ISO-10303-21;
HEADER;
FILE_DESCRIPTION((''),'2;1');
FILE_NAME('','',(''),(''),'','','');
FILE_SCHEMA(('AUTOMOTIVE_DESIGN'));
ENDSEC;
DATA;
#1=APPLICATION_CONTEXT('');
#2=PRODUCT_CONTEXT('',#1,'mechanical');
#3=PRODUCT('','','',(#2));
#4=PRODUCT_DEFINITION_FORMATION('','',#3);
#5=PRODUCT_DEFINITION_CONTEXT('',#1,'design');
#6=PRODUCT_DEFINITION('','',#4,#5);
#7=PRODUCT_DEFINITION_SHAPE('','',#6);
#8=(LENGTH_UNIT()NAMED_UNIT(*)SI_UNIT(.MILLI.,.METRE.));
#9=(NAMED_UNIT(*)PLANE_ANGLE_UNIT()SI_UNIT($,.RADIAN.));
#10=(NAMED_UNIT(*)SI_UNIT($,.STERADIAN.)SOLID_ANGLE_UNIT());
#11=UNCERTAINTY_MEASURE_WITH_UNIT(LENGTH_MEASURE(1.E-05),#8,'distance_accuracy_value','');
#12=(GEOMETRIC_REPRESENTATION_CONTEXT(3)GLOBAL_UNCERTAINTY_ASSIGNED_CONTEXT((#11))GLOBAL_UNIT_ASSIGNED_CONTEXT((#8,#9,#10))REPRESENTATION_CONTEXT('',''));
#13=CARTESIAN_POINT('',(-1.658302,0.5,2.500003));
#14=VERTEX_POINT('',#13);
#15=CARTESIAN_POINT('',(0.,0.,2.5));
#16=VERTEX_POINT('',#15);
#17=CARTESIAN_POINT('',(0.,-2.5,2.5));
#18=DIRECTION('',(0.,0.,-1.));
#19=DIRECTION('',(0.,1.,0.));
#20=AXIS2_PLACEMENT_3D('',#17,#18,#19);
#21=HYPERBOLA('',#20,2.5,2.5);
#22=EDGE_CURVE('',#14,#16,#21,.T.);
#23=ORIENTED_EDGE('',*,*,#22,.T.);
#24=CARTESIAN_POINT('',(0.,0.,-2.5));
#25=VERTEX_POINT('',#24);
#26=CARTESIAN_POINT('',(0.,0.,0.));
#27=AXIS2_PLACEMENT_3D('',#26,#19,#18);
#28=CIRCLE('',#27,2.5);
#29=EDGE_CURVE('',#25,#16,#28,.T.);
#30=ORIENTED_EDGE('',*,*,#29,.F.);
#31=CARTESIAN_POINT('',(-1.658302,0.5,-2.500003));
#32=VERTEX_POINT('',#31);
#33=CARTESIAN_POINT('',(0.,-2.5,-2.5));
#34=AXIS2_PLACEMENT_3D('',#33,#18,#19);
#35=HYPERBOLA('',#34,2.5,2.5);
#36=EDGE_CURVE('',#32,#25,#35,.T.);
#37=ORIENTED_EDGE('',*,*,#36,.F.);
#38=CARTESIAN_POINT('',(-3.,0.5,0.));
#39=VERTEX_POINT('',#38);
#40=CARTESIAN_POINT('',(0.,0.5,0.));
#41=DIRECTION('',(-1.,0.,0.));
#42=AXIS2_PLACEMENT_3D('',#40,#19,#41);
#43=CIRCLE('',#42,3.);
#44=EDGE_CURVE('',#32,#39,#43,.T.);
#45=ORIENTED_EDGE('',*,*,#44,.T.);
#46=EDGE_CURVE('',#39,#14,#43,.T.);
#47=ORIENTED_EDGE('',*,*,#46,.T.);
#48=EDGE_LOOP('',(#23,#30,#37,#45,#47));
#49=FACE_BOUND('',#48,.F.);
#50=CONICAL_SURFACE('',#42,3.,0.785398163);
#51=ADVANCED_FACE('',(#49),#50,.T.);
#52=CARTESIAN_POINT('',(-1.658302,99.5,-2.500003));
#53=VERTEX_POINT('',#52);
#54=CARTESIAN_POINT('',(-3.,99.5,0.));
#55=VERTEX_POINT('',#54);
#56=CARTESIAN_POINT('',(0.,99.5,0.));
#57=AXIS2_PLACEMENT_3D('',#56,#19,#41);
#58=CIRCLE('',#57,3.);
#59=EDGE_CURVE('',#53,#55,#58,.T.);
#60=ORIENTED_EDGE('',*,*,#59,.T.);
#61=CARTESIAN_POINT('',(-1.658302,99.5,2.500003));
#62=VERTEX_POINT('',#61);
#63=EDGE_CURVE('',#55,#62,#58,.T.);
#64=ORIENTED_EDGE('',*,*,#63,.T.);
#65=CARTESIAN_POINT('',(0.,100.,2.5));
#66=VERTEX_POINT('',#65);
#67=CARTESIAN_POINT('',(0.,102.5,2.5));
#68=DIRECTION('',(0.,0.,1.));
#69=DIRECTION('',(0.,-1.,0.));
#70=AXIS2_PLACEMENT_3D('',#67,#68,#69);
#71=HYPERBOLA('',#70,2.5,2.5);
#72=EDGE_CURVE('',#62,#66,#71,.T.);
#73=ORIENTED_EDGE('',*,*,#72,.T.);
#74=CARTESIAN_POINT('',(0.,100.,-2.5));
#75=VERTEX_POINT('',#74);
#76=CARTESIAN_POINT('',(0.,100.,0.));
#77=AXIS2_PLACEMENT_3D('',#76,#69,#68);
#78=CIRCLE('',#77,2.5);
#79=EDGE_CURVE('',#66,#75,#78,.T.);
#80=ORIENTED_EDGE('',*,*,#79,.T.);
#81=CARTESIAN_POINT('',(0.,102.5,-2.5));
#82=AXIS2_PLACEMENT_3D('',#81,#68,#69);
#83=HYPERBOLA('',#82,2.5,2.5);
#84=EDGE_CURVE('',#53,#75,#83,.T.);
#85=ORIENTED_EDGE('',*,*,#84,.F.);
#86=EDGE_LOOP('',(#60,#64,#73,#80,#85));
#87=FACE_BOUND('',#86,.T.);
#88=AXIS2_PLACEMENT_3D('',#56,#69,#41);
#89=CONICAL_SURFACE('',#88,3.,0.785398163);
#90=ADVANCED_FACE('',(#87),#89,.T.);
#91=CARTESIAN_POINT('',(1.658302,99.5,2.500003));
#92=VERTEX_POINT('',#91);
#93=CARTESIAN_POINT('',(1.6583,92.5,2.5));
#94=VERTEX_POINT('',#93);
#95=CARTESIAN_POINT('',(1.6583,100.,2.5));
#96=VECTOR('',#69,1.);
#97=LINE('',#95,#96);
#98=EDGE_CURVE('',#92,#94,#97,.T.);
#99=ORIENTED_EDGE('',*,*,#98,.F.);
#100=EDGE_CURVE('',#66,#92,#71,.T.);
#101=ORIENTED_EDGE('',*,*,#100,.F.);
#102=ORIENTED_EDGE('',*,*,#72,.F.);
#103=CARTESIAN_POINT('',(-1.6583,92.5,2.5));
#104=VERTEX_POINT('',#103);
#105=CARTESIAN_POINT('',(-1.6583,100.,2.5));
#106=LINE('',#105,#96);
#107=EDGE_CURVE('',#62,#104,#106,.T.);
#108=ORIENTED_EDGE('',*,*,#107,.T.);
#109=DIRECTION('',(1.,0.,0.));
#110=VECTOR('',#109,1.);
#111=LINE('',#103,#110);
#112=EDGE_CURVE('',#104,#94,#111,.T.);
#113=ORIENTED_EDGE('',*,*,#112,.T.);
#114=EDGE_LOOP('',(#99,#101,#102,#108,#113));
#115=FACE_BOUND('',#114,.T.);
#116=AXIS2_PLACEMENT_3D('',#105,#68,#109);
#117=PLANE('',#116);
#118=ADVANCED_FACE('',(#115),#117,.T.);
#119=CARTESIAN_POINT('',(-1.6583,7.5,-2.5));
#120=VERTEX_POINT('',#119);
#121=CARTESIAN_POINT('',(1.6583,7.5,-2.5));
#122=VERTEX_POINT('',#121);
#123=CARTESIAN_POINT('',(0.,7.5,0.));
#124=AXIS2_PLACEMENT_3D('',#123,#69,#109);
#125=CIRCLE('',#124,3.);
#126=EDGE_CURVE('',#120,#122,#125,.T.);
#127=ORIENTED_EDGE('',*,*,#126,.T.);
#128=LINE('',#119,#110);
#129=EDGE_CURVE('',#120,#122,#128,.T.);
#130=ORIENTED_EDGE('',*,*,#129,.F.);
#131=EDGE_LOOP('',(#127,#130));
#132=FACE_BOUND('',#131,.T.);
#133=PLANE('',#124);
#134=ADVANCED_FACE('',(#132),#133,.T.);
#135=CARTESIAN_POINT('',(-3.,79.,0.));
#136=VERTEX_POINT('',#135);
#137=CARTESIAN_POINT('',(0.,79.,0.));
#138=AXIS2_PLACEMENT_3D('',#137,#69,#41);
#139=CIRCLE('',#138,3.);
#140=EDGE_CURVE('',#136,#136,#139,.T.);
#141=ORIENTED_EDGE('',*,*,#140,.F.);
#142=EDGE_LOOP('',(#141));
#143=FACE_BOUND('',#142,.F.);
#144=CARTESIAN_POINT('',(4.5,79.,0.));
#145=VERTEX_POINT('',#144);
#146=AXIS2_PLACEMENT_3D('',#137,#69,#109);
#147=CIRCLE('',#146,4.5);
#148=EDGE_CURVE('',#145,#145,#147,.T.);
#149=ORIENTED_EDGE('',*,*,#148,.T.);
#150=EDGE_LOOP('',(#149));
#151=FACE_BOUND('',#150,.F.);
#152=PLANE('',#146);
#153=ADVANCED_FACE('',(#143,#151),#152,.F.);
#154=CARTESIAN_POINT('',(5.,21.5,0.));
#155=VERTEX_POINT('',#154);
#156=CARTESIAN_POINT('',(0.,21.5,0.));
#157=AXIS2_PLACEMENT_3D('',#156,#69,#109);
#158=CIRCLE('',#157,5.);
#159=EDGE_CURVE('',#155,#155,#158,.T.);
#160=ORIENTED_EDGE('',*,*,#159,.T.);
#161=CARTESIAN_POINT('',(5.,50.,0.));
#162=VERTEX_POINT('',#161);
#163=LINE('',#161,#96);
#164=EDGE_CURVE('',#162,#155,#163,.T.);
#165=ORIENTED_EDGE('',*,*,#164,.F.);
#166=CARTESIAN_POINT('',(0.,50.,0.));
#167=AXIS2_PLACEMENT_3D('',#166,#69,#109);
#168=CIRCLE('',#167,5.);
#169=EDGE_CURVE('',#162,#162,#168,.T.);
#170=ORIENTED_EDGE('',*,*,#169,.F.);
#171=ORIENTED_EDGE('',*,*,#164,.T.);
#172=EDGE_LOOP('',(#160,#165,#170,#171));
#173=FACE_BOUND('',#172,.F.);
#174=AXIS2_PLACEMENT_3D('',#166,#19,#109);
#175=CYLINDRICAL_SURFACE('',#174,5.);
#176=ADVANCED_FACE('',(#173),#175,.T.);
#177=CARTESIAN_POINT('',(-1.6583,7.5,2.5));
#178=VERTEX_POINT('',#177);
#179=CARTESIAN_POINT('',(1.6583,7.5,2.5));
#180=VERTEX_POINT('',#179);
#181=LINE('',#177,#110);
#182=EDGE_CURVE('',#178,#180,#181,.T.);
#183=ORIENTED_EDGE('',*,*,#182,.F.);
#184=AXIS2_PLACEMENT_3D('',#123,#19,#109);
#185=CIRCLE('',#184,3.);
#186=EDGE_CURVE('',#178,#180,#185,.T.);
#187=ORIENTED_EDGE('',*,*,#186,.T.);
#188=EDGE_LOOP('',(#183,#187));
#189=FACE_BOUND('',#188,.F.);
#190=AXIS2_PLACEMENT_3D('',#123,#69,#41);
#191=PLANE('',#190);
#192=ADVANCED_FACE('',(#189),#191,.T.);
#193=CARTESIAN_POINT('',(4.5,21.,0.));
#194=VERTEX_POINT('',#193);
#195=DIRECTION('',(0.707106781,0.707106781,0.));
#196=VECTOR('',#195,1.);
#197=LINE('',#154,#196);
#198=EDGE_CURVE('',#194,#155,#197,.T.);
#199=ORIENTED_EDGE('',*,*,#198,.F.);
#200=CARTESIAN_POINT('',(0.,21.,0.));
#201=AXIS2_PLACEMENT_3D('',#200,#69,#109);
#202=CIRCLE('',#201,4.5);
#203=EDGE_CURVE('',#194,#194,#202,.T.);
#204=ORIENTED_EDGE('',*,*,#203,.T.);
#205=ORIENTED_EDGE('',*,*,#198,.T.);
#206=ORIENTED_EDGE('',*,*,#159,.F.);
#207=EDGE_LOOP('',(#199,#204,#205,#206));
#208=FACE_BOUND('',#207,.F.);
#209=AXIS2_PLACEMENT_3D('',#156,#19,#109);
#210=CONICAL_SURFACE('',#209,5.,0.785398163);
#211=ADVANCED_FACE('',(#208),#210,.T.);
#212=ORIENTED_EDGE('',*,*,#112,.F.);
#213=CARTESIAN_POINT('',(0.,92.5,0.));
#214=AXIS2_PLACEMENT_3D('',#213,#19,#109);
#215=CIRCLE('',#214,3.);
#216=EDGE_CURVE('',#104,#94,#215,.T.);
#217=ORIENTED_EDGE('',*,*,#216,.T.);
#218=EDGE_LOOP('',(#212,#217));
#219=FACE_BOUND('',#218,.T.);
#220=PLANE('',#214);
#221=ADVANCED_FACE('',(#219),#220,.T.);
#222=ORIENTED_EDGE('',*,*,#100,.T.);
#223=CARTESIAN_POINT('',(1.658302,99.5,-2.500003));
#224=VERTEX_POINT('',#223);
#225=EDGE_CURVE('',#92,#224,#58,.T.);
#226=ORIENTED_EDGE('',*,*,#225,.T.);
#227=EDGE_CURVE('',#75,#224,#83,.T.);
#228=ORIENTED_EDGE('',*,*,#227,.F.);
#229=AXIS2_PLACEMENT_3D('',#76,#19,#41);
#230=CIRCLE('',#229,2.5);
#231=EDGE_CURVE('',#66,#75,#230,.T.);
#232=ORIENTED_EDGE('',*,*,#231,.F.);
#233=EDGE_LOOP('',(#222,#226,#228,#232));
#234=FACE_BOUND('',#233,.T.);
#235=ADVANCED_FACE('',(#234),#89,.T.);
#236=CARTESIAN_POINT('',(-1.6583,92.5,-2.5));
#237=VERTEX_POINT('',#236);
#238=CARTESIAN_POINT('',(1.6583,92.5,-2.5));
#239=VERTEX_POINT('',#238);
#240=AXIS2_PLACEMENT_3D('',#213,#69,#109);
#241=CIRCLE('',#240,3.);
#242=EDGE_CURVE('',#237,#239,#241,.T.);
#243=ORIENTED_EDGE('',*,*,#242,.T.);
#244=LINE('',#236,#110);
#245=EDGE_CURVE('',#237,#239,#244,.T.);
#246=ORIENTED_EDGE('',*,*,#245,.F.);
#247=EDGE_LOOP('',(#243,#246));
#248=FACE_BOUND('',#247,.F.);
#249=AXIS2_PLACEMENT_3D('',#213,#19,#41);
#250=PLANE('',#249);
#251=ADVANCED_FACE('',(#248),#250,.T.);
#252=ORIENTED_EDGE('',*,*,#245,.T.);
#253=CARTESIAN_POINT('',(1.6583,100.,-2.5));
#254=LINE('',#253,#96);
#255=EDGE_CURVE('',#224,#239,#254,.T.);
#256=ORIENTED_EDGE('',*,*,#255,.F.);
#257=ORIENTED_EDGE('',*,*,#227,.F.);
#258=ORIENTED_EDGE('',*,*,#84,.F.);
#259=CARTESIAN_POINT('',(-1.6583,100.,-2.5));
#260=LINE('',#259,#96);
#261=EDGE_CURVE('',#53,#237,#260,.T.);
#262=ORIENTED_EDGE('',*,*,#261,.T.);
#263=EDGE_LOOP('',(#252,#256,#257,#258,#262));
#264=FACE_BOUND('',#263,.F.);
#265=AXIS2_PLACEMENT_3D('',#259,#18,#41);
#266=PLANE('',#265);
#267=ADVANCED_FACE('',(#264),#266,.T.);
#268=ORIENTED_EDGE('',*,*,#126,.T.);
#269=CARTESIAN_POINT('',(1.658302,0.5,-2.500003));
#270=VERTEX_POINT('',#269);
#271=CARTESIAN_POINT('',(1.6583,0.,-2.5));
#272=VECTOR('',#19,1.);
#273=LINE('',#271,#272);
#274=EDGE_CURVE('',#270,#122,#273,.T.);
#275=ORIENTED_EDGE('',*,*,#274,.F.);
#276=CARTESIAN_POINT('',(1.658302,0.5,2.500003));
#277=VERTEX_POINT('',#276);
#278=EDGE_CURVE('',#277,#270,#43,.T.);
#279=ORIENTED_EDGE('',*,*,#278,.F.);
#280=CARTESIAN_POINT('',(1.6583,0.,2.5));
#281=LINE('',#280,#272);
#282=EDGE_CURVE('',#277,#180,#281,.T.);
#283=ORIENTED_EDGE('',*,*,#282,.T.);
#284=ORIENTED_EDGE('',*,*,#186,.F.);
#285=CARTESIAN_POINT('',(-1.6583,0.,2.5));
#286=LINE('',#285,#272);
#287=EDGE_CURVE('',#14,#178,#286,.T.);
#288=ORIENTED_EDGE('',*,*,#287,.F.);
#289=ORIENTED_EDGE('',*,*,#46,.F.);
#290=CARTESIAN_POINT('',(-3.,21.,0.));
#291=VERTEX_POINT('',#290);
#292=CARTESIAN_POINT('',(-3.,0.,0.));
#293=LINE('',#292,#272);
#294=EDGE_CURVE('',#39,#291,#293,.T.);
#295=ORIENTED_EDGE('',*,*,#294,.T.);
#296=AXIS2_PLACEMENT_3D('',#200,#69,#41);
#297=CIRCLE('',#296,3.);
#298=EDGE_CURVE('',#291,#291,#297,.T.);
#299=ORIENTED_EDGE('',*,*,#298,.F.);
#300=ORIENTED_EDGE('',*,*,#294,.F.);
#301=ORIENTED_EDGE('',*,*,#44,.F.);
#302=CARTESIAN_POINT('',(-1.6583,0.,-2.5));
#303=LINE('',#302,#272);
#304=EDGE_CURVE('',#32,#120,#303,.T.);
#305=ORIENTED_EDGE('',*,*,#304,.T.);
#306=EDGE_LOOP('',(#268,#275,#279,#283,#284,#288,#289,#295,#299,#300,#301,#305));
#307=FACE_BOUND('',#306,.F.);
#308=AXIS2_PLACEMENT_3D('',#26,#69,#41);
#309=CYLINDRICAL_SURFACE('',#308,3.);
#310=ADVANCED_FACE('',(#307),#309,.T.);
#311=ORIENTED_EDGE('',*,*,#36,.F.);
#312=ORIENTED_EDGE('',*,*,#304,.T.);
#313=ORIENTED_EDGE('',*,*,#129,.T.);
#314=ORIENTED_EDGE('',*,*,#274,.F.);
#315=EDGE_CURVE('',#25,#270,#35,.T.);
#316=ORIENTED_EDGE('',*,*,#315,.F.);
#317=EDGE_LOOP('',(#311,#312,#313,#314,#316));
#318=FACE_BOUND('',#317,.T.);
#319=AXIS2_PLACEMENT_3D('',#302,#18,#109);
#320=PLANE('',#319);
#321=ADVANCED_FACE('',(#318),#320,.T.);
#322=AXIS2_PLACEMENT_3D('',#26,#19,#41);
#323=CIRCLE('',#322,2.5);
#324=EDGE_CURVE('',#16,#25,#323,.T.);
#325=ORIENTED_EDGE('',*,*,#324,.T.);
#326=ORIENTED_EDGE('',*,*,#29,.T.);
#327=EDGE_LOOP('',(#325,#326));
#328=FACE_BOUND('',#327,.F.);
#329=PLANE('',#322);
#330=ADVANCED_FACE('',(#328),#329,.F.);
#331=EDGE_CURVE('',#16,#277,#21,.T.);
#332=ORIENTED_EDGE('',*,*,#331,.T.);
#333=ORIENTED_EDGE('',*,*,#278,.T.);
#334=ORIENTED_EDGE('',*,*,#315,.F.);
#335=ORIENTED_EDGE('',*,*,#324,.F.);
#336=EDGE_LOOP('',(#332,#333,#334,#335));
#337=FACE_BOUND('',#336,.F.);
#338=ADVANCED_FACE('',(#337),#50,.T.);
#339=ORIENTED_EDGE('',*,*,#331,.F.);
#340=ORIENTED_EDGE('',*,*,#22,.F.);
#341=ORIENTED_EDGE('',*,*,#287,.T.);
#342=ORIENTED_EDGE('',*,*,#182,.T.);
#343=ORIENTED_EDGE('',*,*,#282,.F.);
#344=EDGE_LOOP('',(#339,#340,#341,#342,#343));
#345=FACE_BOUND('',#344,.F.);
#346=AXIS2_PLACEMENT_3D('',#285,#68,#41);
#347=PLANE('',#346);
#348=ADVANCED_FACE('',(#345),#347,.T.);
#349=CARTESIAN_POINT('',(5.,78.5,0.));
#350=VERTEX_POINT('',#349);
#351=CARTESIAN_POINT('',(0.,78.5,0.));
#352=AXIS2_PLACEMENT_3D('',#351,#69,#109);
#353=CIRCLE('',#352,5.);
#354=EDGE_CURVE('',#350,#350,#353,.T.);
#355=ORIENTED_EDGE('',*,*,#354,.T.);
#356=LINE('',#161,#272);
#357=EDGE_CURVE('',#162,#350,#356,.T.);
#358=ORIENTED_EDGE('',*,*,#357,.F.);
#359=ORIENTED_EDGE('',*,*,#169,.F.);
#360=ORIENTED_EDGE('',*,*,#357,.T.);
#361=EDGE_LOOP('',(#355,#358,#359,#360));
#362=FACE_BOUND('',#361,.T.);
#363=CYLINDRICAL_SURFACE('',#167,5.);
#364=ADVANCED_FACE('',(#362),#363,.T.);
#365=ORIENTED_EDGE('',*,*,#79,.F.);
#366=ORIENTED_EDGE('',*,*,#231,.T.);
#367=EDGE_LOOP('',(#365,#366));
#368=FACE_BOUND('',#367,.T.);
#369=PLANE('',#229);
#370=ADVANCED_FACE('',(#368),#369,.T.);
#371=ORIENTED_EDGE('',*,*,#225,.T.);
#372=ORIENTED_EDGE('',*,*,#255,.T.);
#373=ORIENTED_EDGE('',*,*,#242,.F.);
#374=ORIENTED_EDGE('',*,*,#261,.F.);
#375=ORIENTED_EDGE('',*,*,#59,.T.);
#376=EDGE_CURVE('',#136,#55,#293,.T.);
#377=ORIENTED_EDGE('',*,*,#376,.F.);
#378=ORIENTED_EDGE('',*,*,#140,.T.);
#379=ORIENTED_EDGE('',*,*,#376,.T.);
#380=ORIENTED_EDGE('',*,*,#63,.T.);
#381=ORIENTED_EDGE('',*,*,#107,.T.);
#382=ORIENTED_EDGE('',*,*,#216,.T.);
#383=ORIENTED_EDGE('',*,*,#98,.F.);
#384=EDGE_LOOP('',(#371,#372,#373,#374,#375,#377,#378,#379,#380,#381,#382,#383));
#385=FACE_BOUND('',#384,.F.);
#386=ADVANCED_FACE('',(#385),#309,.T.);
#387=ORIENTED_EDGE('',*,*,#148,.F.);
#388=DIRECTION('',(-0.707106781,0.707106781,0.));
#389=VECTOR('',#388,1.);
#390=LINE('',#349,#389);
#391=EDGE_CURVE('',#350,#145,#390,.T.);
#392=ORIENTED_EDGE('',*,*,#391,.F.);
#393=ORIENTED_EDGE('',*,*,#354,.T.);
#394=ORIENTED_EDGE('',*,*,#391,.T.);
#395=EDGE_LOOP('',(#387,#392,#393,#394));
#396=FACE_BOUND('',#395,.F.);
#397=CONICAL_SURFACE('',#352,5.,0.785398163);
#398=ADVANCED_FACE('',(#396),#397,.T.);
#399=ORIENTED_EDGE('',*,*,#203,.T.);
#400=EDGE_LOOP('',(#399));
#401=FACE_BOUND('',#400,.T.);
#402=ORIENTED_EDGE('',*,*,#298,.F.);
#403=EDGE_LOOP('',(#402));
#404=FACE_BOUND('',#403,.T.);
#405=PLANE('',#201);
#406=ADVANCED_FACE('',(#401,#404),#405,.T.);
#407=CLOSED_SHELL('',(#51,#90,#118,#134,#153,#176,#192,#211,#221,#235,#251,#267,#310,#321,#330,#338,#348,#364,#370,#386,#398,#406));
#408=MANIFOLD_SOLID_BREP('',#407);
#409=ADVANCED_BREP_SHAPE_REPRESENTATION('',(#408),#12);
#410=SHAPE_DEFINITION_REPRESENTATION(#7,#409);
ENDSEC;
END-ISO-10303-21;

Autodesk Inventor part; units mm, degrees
ref_plane "YZ Plane" through (0, 0, 0) normal (1, 0, 0) x (0, 1, 0)
ref_plane "XZ Plane" through (0, 0, 0) normal (0, 1, 0) x (-1, 0, 0)
ref_plane "XY Plane" through (0, 0, 0) normal (0, 0, 1) x (1, 0, 0)
sketch "Sketch1" plane through (0, 0, 0) normal (0, 1, 0) x (-1, 0, 0)
  circle A0 centre (0, 0) radius 3
  dimension "d0" = 6
extrude "Extrusion1" add sketch "Sketch1" along normal blind 100
chamfer "Chamfer1" distance 0.5 angle 45 2 edges at (3, 100, 0) (3, 0, 0)
sketch "Sketch3" plane through (0, 100, 0) normal (0, 1, 0) x (1, 0, 0)
  circle A0 centre (0, 0) radius 3 projected
  line L0 (-1.6583, -2.5) -> (1.6583, -2.5)
  dimension "d16" = 2.5
extrude "Extrusion3" cut sketch "Sketch3" against normal blind 7.5 contours L0 A0 picked at (-0.3442, -2.6056)
mirror "Mirror1" about plane through (0, 0, 0) normal (0, 0, 1) of "Extrusion3"
ref_plane "Work Plane3" through (0, 50, 0) normal (0, -1, 0) x (1, 0, 0)
mirror "Mirror2" about plane through (0, 50, 0) normal (0, -1, 0) of "Extrusion3", "Mirror1"
sketch "Sketch4" plane through (0, 50, 0) normal (0, -1, 0) x (1, 0, 0)
  circle A0 centre (0, 0) radius 5
  dimension "d20" = 10
extrude "Extrusion4" add sketch "Sketch4" along normal mid plane 58
chamfer "Chamfer3" distance 0.5 angle 45 2 edges at (-5, 21, 0) (-5, 79, 0)
thread "Thread3" size "M10x1.5" class "6g" standard "ANSI Metric M Profile" full length
properties part number "Вал"
